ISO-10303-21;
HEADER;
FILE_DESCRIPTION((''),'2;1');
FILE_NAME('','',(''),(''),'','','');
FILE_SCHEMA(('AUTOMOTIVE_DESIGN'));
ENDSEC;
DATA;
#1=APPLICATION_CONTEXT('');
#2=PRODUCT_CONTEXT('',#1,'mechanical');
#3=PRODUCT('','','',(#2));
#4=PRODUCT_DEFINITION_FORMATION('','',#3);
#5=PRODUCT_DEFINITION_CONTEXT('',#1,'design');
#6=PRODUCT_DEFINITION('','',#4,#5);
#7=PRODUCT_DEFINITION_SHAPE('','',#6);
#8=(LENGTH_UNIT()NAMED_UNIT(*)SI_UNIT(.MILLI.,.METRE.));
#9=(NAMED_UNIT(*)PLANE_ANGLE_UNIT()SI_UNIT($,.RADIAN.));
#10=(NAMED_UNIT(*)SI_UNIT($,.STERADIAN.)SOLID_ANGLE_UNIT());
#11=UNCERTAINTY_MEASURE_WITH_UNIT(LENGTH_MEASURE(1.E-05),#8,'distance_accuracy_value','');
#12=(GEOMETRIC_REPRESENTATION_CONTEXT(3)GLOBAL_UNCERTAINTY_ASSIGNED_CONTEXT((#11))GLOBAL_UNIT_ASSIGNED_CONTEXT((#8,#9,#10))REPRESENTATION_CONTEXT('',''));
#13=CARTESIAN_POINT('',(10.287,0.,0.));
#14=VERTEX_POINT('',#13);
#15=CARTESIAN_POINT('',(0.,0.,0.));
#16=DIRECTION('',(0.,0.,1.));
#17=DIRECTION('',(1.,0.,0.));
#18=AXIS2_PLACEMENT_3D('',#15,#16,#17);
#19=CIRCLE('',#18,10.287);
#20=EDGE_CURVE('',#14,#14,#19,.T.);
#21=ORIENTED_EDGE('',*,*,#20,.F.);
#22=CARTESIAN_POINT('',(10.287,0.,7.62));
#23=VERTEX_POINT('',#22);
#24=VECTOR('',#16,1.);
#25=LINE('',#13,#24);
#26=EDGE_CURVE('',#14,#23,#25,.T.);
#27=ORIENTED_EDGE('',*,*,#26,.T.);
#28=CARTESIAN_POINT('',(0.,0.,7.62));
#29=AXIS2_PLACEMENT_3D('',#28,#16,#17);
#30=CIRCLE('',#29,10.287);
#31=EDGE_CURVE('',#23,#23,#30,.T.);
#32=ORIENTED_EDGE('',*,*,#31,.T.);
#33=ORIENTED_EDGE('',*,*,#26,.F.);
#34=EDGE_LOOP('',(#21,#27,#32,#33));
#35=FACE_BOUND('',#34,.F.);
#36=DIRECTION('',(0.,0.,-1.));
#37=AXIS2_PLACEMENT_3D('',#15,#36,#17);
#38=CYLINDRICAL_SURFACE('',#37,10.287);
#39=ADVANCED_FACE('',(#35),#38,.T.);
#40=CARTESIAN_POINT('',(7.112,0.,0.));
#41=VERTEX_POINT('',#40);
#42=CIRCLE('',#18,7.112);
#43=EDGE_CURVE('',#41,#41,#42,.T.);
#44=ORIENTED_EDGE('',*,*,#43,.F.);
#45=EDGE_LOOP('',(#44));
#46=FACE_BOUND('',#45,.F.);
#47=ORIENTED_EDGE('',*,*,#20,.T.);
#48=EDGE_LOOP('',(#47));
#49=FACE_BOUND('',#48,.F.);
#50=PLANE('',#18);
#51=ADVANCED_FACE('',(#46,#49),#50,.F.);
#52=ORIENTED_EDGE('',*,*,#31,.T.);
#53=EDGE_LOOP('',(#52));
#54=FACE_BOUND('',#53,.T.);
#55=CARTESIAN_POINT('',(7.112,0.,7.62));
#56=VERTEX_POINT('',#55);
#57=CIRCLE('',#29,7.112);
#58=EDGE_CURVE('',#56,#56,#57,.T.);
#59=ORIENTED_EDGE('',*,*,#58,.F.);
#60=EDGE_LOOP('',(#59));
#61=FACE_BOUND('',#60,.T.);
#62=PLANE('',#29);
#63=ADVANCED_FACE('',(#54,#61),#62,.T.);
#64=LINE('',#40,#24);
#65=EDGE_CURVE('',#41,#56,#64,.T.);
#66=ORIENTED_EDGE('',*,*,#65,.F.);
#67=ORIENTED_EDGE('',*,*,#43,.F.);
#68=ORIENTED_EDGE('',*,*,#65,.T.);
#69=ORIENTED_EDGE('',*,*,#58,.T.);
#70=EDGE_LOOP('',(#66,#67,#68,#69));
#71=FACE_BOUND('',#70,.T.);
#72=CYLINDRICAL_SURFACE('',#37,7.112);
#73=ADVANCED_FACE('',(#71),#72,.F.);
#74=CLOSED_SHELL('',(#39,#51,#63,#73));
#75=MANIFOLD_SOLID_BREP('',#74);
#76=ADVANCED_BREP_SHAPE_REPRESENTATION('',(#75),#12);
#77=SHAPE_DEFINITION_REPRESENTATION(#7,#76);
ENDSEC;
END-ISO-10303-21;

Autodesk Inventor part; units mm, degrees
ref_plane "YZ Plane" through (0, 0, 0) normal (1, 0, 0) x (0, 1, 0)
ref_plane "XZ Plane" through (0, 0, 0) normal (0, 1, 0) x (-1, 0, 0)
ref_plane "XY Plane" through (0, 0, 0) normal (0, 0, 1) x (1, 0, 0)
sketch "Sketch1" plane through (0, 0, 0) normal (0, 0, 1) x (1, 0, 0)
  circle A0 centre (0, 0) radius 7.112
  circle A1 centre (0, 0) radius 10.287
  dimension "d0" = 14.224
  dimension "d1" = 3.175
extrude "Extrusion1" add sketch "Sketch1" along normal blind 7.62
properties part number "GP-SP-009" material "ABS Plastic"
